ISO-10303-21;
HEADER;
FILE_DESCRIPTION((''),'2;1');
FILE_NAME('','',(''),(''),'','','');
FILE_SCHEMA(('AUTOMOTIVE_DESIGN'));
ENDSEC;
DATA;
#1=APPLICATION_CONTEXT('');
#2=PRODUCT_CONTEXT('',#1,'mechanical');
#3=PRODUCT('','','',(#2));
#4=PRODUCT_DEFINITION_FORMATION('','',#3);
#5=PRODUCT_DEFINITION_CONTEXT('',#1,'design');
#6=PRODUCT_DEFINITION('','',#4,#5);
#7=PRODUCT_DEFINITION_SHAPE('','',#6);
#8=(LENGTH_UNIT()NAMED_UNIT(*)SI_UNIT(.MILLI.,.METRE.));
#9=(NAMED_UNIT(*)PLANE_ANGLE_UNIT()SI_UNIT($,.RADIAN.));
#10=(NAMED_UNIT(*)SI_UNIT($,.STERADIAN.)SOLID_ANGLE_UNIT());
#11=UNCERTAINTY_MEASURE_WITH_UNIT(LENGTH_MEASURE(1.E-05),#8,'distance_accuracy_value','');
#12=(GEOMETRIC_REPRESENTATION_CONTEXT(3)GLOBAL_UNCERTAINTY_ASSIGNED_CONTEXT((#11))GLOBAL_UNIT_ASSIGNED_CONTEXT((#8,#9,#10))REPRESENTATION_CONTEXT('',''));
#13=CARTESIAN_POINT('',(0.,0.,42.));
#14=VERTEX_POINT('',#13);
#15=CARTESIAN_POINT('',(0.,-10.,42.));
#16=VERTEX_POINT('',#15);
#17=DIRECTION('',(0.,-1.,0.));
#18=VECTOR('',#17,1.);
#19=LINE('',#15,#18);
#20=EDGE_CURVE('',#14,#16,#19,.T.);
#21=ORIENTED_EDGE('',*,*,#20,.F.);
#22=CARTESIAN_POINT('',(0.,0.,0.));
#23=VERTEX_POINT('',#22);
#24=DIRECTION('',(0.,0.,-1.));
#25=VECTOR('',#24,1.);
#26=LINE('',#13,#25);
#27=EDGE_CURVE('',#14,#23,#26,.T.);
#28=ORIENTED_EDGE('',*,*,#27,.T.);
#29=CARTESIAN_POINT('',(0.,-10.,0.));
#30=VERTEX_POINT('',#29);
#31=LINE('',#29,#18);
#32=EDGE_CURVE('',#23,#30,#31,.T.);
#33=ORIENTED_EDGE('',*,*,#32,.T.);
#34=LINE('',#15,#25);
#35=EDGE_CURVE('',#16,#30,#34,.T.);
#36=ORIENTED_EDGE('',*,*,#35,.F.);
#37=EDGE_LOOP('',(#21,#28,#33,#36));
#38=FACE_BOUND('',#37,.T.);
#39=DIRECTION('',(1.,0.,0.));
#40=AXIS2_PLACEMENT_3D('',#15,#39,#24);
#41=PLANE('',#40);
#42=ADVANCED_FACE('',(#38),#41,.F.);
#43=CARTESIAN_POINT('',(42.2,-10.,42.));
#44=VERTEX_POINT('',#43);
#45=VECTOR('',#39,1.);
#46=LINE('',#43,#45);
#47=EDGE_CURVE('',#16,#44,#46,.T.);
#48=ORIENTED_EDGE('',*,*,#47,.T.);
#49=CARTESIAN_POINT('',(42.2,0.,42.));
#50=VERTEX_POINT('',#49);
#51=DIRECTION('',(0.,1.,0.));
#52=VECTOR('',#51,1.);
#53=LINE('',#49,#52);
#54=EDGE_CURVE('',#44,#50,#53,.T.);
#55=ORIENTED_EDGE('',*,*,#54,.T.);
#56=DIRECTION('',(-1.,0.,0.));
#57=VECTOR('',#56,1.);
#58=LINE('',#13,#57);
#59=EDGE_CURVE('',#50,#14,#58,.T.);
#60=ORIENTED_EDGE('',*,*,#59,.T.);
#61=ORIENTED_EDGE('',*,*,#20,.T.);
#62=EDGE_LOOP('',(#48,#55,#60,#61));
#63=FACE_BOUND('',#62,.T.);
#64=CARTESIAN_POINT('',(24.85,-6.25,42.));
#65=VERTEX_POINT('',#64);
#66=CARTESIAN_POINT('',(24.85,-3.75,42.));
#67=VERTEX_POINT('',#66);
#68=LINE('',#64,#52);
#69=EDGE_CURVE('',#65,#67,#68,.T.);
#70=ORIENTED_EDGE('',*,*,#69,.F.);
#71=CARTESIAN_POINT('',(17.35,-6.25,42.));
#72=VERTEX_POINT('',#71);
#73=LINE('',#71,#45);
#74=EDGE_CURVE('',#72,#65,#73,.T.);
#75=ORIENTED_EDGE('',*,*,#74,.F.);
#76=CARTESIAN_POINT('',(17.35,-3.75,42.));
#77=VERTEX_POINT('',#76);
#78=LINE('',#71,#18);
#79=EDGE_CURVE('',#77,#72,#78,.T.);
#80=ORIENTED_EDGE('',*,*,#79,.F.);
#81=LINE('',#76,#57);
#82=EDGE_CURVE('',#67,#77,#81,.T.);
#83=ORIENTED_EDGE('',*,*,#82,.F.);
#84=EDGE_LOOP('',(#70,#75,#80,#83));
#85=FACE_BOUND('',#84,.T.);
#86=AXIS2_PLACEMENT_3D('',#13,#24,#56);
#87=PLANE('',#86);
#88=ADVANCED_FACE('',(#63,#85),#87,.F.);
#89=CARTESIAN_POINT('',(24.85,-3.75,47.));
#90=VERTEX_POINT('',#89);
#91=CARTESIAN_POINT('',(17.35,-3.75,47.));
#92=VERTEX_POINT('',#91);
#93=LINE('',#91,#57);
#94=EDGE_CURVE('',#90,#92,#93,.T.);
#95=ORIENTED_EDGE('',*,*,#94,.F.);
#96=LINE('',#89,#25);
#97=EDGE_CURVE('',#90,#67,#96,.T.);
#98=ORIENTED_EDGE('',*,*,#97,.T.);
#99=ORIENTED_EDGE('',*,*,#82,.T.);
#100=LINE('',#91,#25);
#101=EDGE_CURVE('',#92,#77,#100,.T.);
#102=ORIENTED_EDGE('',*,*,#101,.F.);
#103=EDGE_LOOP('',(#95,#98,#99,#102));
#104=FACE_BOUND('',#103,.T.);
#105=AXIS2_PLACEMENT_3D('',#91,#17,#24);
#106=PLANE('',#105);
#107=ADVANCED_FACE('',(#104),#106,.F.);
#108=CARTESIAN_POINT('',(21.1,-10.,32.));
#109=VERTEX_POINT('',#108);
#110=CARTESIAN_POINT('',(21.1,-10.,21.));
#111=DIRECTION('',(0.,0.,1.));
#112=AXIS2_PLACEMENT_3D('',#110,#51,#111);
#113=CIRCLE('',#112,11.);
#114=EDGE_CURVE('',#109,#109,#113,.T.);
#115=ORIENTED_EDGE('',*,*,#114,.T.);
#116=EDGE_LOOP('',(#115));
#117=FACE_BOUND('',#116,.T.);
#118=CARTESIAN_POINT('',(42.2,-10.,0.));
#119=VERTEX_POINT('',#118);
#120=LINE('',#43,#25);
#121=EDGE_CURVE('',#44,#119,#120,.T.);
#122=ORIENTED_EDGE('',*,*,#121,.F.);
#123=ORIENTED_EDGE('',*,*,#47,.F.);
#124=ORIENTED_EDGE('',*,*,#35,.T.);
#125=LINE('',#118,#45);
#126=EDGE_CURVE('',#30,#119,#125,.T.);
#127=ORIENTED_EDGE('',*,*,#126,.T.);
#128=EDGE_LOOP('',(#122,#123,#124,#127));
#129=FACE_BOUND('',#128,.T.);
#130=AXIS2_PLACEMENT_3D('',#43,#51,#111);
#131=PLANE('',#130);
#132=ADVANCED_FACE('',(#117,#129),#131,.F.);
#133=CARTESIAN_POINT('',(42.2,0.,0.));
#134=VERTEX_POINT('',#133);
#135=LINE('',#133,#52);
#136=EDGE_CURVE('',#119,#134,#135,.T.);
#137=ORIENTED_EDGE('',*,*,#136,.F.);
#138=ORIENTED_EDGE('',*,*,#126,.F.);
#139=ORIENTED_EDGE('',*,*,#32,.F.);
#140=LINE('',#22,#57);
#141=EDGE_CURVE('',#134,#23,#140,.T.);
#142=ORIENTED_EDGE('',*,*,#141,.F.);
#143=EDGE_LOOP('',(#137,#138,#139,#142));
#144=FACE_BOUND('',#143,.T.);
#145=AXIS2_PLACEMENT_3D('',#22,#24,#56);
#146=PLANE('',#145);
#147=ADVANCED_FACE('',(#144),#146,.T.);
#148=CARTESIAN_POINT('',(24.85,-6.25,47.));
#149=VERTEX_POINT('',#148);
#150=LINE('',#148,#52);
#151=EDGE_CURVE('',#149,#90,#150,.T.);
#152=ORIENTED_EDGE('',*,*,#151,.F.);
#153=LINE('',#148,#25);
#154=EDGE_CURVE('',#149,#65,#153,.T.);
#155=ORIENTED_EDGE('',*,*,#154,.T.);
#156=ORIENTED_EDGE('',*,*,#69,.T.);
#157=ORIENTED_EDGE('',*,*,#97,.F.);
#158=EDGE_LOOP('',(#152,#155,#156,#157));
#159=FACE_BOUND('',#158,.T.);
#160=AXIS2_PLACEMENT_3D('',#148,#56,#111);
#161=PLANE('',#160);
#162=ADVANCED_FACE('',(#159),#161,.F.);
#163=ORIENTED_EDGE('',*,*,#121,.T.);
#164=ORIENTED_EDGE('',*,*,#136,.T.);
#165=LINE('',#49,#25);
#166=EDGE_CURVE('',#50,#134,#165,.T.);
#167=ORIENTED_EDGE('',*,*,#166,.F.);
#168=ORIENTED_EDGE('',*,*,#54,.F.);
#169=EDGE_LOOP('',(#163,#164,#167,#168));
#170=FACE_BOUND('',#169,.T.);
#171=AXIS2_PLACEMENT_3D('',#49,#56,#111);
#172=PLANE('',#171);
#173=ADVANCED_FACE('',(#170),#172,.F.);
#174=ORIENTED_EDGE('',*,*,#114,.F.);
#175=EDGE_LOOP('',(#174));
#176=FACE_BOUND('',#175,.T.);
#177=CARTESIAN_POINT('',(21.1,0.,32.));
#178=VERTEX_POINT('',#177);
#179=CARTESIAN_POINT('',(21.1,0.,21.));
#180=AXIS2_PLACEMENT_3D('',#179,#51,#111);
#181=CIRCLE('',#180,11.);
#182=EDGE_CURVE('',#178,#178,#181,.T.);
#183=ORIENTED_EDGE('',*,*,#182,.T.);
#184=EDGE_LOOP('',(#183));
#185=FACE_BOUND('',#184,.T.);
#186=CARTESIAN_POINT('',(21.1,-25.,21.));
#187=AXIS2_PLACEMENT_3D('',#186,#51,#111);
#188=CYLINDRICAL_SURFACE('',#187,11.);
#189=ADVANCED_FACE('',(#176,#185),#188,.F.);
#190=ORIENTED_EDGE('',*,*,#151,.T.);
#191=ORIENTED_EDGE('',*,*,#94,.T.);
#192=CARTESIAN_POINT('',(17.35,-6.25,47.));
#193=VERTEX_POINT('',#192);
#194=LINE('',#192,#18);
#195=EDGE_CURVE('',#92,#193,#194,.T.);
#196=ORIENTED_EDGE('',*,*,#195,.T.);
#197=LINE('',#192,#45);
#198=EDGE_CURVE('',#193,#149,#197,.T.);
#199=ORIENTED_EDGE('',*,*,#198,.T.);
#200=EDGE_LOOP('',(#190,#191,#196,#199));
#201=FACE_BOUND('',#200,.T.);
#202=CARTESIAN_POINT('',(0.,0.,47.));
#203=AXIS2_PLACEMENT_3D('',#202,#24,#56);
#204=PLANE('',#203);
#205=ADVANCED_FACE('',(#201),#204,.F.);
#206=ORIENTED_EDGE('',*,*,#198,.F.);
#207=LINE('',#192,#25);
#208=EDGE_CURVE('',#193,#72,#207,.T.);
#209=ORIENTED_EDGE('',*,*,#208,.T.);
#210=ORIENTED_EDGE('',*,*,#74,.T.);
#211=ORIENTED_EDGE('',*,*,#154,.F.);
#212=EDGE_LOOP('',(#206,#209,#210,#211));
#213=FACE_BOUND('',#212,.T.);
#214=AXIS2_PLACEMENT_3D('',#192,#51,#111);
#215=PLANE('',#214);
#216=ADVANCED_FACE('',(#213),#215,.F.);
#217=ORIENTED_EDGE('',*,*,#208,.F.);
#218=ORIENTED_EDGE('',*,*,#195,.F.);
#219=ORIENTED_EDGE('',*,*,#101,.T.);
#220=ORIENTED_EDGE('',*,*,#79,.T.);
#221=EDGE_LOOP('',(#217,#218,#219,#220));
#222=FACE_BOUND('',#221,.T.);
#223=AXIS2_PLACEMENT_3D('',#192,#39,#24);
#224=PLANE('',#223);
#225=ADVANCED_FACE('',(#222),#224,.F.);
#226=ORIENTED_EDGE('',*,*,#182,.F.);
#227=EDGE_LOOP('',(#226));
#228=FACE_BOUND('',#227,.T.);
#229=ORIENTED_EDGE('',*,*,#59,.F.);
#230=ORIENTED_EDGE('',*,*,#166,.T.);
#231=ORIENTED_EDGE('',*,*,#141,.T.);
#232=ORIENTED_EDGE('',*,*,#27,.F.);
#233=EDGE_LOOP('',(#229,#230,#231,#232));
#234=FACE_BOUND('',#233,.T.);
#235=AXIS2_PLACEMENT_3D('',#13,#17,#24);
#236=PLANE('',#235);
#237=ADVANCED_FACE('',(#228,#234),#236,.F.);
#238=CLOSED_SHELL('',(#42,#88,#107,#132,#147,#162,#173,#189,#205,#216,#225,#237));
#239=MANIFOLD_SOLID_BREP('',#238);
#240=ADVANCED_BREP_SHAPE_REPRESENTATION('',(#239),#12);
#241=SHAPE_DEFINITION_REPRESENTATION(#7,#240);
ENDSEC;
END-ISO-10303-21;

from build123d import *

# Parameters (mm, degrees)
CROQUIS1_W              = 42.2
CROQUIS1_H              = 10
SALIENTE_EXTRUIR1_DEPTH = 42
CROQUIS2_W              = 7.5
CROQUIS2_H              = 2.5
SALIENTE_EXTRUIR2_DEPTH = 5
CROQUIS3_R              = 11
CORTAR_EXTRUIR1_DEPTH   = 25


with BuildPart() as part:
    # Croquis1 → Saliente-Extruir1 (new body)
    with BuildSketch(Plane.XY):
        with Locations((21.1, -5)):
            Rectangle(CROQUIS1_W, CROQUIS1_H)
    extrude(amount=SALIENTE_EXTRUIR1_DEPTH)

    # Croquis2 → Saliente-Extruir2 (add)
    with BuildSketch(Plane.XY.offset(42)):
        with Locations((21.1, -5)):
            Rectangle(CROQUIS2_W, CROQUIS2_H)
    extrude(amount=SALIENTE_EXTRUIR2_DEPTH)

    # Croquis3 → Cortar-Extruir1 (cut)
    with BuildSketch(Plane(origin=(0, 0, 0), x_dir=(1, 0, 0), z_dir=(0, 1, 0))):
        with Locations(Location((21.1, -21, 0), (0, 0, 270))):
            Circle(CROQUIS3_R)
    extrude(amount=-CORTAR_EXTRUIR1_DEPTH, mode=Mode.SUBTRACT)


solid = part.part
